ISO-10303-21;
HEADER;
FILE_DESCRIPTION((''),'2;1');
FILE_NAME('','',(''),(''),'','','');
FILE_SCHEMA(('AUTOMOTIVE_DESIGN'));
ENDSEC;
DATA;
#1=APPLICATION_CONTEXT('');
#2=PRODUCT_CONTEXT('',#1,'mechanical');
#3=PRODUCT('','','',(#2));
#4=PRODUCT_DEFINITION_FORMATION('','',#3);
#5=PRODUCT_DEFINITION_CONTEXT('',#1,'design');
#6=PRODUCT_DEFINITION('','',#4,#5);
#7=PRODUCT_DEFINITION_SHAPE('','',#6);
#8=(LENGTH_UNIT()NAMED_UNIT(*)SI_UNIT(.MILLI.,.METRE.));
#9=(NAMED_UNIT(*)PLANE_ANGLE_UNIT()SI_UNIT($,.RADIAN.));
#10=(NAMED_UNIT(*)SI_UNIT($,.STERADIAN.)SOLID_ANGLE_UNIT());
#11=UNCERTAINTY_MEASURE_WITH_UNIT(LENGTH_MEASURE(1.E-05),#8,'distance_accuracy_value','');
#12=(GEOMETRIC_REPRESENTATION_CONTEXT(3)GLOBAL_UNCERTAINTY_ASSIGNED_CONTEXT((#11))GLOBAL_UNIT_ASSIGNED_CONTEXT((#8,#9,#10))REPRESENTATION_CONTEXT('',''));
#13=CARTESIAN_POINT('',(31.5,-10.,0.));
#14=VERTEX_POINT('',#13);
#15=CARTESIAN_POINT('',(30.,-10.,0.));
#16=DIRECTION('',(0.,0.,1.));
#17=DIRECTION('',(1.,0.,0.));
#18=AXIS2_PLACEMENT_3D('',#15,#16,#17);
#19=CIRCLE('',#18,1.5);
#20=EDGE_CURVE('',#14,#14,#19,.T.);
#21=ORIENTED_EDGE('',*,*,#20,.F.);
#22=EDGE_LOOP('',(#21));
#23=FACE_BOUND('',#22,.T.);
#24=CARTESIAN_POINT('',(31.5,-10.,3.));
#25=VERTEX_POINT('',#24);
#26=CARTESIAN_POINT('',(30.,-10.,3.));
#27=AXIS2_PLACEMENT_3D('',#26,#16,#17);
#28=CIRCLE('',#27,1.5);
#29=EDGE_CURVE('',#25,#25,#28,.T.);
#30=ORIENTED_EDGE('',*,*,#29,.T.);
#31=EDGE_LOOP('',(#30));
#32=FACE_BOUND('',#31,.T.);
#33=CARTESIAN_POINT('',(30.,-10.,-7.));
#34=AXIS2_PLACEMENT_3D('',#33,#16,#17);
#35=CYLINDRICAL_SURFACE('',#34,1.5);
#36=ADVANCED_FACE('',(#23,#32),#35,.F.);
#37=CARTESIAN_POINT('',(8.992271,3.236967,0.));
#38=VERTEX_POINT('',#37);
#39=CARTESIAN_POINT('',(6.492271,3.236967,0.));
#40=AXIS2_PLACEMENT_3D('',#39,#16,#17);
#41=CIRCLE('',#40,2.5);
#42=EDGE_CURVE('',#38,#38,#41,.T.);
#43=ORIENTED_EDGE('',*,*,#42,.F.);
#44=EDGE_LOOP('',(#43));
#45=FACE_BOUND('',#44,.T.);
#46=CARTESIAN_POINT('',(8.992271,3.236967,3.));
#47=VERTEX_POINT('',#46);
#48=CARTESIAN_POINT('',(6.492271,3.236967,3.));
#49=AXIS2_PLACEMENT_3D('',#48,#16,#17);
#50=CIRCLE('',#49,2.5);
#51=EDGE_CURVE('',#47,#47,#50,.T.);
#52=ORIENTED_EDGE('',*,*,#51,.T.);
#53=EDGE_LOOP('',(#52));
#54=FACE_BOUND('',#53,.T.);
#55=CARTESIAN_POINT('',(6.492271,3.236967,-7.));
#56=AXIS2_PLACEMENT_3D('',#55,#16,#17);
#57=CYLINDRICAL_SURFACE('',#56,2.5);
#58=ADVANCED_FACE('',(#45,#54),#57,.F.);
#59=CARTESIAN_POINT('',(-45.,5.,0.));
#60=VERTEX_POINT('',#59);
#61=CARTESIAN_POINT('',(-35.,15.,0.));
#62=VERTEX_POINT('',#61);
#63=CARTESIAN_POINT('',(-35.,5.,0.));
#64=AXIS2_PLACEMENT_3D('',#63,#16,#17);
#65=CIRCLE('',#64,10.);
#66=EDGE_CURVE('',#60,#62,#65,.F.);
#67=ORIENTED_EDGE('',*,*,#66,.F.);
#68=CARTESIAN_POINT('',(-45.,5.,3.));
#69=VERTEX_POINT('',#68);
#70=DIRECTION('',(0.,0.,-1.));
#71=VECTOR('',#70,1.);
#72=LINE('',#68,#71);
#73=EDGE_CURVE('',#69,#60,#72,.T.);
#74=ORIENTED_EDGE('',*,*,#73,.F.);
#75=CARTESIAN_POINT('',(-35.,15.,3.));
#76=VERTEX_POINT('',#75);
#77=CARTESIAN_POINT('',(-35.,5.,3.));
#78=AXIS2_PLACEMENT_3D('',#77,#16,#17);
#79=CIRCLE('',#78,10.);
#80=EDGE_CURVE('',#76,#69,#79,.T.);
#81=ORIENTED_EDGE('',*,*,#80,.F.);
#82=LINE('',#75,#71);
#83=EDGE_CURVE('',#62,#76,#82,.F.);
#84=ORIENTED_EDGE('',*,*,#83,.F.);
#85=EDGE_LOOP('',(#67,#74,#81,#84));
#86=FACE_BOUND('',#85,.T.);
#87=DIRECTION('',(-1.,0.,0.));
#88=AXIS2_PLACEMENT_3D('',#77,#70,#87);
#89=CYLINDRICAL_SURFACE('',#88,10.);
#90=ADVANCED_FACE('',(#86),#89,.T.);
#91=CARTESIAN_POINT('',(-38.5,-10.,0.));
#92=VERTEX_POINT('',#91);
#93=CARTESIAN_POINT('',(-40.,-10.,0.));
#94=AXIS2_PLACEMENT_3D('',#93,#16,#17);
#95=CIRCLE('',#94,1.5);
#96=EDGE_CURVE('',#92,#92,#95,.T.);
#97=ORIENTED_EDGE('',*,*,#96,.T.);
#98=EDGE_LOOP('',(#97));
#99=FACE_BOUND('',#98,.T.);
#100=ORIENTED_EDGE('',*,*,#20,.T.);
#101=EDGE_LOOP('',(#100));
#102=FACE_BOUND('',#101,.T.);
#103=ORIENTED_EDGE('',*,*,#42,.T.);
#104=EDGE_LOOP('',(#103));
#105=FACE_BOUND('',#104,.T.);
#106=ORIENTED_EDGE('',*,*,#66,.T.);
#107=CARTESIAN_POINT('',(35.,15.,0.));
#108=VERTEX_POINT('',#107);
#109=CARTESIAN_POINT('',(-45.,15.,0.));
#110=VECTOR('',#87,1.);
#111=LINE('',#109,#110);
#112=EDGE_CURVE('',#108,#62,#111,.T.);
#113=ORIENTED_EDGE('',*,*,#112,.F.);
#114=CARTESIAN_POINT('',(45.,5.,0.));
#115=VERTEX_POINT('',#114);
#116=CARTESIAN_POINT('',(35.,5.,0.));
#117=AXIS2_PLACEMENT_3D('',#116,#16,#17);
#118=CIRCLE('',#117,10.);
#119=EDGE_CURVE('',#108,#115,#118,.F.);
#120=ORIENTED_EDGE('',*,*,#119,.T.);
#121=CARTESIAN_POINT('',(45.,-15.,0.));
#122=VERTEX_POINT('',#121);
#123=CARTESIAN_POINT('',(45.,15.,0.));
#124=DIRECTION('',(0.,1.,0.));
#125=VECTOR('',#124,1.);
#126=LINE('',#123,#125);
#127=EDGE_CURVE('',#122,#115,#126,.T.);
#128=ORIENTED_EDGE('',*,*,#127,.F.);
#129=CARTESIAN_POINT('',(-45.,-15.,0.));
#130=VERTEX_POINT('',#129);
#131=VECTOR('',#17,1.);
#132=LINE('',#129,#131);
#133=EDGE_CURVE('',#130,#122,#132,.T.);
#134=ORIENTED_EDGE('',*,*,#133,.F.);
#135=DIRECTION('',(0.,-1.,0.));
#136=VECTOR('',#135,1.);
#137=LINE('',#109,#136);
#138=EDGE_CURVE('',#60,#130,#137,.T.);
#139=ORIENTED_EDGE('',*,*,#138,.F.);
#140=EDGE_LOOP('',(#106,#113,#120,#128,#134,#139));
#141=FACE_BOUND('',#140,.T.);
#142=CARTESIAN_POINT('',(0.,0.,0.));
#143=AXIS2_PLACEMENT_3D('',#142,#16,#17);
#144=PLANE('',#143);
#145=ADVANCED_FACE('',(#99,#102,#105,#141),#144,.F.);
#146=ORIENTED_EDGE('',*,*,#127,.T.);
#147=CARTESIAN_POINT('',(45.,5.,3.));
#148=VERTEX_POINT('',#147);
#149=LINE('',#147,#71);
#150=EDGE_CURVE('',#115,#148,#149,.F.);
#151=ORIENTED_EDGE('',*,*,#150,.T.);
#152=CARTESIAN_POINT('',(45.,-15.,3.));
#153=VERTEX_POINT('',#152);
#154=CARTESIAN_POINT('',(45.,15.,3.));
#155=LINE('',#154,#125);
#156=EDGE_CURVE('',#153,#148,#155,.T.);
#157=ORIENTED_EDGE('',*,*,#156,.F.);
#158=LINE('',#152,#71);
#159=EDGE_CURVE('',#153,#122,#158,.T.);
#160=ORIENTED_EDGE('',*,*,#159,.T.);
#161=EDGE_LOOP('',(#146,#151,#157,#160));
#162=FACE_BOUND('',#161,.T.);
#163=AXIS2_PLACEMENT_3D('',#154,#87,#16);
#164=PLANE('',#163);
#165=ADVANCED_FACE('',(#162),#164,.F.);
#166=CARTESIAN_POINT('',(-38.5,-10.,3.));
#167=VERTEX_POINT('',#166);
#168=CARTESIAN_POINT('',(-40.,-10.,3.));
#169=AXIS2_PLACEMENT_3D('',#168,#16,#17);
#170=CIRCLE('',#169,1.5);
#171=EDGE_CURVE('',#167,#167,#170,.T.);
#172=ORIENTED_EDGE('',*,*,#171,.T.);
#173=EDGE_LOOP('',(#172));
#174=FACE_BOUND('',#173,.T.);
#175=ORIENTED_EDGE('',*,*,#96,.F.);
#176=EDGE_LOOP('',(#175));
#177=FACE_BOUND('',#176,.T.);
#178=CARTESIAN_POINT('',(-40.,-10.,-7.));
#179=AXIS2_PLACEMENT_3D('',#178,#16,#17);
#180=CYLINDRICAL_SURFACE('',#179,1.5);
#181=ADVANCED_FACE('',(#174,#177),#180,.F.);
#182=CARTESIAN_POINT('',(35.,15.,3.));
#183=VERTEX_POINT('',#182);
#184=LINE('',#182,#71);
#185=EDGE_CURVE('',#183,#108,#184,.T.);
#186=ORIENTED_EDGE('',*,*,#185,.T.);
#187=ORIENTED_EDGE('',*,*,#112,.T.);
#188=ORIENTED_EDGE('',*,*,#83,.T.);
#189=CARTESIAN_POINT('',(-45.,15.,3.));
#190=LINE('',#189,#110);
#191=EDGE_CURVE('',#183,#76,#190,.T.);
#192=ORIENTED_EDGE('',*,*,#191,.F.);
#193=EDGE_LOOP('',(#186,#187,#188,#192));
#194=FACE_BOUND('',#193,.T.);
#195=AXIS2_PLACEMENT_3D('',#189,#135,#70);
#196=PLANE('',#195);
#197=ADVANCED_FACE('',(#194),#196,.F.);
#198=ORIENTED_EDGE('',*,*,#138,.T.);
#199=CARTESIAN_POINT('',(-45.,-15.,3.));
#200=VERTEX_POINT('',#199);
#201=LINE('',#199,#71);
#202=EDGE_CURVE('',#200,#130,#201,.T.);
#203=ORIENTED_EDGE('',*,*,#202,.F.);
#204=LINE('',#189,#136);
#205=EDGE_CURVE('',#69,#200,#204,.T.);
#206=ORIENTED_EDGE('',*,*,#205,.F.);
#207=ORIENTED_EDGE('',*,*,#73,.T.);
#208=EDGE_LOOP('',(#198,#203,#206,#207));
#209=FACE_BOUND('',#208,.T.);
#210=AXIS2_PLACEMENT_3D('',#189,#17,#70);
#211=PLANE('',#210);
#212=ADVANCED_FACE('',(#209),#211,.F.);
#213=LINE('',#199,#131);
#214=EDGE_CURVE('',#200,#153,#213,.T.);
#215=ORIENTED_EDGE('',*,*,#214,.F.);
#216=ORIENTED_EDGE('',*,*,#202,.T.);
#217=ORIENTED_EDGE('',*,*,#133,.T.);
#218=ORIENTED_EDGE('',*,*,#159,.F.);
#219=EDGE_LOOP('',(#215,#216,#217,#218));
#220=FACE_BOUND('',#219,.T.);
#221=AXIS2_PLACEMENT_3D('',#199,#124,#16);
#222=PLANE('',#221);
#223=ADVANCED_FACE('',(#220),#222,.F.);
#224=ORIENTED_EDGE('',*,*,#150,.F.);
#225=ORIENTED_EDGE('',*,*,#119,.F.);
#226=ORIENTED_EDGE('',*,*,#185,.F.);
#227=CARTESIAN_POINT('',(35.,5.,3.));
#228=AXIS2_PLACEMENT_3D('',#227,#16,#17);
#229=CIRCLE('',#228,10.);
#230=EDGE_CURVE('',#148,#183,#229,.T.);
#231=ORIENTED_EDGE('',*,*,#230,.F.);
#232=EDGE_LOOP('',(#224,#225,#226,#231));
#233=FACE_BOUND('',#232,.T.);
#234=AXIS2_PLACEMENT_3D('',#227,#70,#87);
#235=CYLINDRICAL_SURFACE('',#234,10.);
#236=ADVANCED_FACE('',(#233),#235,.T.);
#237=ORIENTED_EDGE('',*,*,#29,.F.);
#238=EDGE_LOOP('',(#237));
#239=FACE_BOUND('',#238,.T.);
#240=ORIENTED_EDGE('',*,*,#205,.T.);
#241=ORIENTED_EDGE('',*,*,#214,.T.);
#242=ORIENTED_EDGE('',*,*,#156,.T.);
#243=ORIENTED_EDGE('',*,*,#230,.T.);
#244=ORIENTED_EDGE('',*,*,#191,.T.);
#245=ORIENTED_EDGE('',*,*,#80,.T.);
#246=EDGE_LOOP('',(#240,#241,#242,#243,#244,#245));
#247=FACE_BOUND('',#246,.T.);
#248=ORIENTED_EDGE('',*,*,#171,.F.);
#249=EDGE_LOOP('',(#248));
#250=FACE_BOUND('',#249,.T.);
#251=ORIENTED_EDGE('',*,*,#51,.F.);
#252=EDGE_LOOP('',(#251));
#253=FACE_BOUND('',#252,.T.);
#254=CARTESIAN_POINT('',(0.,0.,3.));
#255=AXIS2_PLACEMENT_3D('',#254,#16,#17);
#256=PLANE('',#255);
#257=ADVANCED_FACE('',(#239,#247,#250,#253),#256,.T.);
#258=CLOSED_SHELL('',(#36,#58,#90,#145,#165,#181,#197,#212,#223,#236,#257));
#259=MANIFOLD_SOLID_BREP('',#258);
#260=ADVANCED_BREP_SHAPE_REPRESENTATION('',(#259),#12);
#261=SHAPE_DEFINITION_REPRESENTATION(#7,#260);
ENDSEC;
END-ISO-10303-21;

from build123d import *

# Parameters (mm, degrees)
SKETCH_1_W          = 90
SKETCH_1_H          = 30
EXTRUDE_1_DEPTH     = 3
SKETCH_3_R          = 2.5
CUT_EXTRUDE_2_DEPTH = 10
SKETCH_4_R          = 1.5
CUT_EXTRUDE_3_DEPTH = 10
FILLET_1_R          = 10


with BuildPart() as part:
    # 草图1 → 凸台-拉伸1 (new body)
    with BuildSketch(Plane.XY):
        Rectangle(SKETCH_1_W, SKETCH_1_H)
    extrude(amount=EXTRUDE_1_DEPTH)

    # 草图3 → 切除-拉伸2 (cut)
    with BuildSketch(Plane.XY.offset(3)):
        with Locations((6.49227102, 3.236967106)):
            Circle(SKETCH_3_R)
    extrude(amount=-CUT_EXTRUDE_2_DEPTH, mode=Mode.SUBTRACT)

    # 草图4 → 切除-拉伸3 (cut)
    with BuildSketch(Plane.XY.offset(3)):
        with Locations((-40, -10)):
            Circle(SKETCH_4_R)
        with Locations((30, -10)):
            Circle(SKETCH_4_R)
    extrude(amount=-CUT_EXTRUDE_3_DEPTH, mode=Mode.SUBTRACT)

    # 圆角1
    fillet_1_edges = [part.edges().sort_by_distance(p)[0] for p in [
        (-45, 15, 1.5),
        (45, 15, 1.5),
    ]]
    fillet(fillet_1_edges, radius=FILLET_1_R)


solid = part.part
